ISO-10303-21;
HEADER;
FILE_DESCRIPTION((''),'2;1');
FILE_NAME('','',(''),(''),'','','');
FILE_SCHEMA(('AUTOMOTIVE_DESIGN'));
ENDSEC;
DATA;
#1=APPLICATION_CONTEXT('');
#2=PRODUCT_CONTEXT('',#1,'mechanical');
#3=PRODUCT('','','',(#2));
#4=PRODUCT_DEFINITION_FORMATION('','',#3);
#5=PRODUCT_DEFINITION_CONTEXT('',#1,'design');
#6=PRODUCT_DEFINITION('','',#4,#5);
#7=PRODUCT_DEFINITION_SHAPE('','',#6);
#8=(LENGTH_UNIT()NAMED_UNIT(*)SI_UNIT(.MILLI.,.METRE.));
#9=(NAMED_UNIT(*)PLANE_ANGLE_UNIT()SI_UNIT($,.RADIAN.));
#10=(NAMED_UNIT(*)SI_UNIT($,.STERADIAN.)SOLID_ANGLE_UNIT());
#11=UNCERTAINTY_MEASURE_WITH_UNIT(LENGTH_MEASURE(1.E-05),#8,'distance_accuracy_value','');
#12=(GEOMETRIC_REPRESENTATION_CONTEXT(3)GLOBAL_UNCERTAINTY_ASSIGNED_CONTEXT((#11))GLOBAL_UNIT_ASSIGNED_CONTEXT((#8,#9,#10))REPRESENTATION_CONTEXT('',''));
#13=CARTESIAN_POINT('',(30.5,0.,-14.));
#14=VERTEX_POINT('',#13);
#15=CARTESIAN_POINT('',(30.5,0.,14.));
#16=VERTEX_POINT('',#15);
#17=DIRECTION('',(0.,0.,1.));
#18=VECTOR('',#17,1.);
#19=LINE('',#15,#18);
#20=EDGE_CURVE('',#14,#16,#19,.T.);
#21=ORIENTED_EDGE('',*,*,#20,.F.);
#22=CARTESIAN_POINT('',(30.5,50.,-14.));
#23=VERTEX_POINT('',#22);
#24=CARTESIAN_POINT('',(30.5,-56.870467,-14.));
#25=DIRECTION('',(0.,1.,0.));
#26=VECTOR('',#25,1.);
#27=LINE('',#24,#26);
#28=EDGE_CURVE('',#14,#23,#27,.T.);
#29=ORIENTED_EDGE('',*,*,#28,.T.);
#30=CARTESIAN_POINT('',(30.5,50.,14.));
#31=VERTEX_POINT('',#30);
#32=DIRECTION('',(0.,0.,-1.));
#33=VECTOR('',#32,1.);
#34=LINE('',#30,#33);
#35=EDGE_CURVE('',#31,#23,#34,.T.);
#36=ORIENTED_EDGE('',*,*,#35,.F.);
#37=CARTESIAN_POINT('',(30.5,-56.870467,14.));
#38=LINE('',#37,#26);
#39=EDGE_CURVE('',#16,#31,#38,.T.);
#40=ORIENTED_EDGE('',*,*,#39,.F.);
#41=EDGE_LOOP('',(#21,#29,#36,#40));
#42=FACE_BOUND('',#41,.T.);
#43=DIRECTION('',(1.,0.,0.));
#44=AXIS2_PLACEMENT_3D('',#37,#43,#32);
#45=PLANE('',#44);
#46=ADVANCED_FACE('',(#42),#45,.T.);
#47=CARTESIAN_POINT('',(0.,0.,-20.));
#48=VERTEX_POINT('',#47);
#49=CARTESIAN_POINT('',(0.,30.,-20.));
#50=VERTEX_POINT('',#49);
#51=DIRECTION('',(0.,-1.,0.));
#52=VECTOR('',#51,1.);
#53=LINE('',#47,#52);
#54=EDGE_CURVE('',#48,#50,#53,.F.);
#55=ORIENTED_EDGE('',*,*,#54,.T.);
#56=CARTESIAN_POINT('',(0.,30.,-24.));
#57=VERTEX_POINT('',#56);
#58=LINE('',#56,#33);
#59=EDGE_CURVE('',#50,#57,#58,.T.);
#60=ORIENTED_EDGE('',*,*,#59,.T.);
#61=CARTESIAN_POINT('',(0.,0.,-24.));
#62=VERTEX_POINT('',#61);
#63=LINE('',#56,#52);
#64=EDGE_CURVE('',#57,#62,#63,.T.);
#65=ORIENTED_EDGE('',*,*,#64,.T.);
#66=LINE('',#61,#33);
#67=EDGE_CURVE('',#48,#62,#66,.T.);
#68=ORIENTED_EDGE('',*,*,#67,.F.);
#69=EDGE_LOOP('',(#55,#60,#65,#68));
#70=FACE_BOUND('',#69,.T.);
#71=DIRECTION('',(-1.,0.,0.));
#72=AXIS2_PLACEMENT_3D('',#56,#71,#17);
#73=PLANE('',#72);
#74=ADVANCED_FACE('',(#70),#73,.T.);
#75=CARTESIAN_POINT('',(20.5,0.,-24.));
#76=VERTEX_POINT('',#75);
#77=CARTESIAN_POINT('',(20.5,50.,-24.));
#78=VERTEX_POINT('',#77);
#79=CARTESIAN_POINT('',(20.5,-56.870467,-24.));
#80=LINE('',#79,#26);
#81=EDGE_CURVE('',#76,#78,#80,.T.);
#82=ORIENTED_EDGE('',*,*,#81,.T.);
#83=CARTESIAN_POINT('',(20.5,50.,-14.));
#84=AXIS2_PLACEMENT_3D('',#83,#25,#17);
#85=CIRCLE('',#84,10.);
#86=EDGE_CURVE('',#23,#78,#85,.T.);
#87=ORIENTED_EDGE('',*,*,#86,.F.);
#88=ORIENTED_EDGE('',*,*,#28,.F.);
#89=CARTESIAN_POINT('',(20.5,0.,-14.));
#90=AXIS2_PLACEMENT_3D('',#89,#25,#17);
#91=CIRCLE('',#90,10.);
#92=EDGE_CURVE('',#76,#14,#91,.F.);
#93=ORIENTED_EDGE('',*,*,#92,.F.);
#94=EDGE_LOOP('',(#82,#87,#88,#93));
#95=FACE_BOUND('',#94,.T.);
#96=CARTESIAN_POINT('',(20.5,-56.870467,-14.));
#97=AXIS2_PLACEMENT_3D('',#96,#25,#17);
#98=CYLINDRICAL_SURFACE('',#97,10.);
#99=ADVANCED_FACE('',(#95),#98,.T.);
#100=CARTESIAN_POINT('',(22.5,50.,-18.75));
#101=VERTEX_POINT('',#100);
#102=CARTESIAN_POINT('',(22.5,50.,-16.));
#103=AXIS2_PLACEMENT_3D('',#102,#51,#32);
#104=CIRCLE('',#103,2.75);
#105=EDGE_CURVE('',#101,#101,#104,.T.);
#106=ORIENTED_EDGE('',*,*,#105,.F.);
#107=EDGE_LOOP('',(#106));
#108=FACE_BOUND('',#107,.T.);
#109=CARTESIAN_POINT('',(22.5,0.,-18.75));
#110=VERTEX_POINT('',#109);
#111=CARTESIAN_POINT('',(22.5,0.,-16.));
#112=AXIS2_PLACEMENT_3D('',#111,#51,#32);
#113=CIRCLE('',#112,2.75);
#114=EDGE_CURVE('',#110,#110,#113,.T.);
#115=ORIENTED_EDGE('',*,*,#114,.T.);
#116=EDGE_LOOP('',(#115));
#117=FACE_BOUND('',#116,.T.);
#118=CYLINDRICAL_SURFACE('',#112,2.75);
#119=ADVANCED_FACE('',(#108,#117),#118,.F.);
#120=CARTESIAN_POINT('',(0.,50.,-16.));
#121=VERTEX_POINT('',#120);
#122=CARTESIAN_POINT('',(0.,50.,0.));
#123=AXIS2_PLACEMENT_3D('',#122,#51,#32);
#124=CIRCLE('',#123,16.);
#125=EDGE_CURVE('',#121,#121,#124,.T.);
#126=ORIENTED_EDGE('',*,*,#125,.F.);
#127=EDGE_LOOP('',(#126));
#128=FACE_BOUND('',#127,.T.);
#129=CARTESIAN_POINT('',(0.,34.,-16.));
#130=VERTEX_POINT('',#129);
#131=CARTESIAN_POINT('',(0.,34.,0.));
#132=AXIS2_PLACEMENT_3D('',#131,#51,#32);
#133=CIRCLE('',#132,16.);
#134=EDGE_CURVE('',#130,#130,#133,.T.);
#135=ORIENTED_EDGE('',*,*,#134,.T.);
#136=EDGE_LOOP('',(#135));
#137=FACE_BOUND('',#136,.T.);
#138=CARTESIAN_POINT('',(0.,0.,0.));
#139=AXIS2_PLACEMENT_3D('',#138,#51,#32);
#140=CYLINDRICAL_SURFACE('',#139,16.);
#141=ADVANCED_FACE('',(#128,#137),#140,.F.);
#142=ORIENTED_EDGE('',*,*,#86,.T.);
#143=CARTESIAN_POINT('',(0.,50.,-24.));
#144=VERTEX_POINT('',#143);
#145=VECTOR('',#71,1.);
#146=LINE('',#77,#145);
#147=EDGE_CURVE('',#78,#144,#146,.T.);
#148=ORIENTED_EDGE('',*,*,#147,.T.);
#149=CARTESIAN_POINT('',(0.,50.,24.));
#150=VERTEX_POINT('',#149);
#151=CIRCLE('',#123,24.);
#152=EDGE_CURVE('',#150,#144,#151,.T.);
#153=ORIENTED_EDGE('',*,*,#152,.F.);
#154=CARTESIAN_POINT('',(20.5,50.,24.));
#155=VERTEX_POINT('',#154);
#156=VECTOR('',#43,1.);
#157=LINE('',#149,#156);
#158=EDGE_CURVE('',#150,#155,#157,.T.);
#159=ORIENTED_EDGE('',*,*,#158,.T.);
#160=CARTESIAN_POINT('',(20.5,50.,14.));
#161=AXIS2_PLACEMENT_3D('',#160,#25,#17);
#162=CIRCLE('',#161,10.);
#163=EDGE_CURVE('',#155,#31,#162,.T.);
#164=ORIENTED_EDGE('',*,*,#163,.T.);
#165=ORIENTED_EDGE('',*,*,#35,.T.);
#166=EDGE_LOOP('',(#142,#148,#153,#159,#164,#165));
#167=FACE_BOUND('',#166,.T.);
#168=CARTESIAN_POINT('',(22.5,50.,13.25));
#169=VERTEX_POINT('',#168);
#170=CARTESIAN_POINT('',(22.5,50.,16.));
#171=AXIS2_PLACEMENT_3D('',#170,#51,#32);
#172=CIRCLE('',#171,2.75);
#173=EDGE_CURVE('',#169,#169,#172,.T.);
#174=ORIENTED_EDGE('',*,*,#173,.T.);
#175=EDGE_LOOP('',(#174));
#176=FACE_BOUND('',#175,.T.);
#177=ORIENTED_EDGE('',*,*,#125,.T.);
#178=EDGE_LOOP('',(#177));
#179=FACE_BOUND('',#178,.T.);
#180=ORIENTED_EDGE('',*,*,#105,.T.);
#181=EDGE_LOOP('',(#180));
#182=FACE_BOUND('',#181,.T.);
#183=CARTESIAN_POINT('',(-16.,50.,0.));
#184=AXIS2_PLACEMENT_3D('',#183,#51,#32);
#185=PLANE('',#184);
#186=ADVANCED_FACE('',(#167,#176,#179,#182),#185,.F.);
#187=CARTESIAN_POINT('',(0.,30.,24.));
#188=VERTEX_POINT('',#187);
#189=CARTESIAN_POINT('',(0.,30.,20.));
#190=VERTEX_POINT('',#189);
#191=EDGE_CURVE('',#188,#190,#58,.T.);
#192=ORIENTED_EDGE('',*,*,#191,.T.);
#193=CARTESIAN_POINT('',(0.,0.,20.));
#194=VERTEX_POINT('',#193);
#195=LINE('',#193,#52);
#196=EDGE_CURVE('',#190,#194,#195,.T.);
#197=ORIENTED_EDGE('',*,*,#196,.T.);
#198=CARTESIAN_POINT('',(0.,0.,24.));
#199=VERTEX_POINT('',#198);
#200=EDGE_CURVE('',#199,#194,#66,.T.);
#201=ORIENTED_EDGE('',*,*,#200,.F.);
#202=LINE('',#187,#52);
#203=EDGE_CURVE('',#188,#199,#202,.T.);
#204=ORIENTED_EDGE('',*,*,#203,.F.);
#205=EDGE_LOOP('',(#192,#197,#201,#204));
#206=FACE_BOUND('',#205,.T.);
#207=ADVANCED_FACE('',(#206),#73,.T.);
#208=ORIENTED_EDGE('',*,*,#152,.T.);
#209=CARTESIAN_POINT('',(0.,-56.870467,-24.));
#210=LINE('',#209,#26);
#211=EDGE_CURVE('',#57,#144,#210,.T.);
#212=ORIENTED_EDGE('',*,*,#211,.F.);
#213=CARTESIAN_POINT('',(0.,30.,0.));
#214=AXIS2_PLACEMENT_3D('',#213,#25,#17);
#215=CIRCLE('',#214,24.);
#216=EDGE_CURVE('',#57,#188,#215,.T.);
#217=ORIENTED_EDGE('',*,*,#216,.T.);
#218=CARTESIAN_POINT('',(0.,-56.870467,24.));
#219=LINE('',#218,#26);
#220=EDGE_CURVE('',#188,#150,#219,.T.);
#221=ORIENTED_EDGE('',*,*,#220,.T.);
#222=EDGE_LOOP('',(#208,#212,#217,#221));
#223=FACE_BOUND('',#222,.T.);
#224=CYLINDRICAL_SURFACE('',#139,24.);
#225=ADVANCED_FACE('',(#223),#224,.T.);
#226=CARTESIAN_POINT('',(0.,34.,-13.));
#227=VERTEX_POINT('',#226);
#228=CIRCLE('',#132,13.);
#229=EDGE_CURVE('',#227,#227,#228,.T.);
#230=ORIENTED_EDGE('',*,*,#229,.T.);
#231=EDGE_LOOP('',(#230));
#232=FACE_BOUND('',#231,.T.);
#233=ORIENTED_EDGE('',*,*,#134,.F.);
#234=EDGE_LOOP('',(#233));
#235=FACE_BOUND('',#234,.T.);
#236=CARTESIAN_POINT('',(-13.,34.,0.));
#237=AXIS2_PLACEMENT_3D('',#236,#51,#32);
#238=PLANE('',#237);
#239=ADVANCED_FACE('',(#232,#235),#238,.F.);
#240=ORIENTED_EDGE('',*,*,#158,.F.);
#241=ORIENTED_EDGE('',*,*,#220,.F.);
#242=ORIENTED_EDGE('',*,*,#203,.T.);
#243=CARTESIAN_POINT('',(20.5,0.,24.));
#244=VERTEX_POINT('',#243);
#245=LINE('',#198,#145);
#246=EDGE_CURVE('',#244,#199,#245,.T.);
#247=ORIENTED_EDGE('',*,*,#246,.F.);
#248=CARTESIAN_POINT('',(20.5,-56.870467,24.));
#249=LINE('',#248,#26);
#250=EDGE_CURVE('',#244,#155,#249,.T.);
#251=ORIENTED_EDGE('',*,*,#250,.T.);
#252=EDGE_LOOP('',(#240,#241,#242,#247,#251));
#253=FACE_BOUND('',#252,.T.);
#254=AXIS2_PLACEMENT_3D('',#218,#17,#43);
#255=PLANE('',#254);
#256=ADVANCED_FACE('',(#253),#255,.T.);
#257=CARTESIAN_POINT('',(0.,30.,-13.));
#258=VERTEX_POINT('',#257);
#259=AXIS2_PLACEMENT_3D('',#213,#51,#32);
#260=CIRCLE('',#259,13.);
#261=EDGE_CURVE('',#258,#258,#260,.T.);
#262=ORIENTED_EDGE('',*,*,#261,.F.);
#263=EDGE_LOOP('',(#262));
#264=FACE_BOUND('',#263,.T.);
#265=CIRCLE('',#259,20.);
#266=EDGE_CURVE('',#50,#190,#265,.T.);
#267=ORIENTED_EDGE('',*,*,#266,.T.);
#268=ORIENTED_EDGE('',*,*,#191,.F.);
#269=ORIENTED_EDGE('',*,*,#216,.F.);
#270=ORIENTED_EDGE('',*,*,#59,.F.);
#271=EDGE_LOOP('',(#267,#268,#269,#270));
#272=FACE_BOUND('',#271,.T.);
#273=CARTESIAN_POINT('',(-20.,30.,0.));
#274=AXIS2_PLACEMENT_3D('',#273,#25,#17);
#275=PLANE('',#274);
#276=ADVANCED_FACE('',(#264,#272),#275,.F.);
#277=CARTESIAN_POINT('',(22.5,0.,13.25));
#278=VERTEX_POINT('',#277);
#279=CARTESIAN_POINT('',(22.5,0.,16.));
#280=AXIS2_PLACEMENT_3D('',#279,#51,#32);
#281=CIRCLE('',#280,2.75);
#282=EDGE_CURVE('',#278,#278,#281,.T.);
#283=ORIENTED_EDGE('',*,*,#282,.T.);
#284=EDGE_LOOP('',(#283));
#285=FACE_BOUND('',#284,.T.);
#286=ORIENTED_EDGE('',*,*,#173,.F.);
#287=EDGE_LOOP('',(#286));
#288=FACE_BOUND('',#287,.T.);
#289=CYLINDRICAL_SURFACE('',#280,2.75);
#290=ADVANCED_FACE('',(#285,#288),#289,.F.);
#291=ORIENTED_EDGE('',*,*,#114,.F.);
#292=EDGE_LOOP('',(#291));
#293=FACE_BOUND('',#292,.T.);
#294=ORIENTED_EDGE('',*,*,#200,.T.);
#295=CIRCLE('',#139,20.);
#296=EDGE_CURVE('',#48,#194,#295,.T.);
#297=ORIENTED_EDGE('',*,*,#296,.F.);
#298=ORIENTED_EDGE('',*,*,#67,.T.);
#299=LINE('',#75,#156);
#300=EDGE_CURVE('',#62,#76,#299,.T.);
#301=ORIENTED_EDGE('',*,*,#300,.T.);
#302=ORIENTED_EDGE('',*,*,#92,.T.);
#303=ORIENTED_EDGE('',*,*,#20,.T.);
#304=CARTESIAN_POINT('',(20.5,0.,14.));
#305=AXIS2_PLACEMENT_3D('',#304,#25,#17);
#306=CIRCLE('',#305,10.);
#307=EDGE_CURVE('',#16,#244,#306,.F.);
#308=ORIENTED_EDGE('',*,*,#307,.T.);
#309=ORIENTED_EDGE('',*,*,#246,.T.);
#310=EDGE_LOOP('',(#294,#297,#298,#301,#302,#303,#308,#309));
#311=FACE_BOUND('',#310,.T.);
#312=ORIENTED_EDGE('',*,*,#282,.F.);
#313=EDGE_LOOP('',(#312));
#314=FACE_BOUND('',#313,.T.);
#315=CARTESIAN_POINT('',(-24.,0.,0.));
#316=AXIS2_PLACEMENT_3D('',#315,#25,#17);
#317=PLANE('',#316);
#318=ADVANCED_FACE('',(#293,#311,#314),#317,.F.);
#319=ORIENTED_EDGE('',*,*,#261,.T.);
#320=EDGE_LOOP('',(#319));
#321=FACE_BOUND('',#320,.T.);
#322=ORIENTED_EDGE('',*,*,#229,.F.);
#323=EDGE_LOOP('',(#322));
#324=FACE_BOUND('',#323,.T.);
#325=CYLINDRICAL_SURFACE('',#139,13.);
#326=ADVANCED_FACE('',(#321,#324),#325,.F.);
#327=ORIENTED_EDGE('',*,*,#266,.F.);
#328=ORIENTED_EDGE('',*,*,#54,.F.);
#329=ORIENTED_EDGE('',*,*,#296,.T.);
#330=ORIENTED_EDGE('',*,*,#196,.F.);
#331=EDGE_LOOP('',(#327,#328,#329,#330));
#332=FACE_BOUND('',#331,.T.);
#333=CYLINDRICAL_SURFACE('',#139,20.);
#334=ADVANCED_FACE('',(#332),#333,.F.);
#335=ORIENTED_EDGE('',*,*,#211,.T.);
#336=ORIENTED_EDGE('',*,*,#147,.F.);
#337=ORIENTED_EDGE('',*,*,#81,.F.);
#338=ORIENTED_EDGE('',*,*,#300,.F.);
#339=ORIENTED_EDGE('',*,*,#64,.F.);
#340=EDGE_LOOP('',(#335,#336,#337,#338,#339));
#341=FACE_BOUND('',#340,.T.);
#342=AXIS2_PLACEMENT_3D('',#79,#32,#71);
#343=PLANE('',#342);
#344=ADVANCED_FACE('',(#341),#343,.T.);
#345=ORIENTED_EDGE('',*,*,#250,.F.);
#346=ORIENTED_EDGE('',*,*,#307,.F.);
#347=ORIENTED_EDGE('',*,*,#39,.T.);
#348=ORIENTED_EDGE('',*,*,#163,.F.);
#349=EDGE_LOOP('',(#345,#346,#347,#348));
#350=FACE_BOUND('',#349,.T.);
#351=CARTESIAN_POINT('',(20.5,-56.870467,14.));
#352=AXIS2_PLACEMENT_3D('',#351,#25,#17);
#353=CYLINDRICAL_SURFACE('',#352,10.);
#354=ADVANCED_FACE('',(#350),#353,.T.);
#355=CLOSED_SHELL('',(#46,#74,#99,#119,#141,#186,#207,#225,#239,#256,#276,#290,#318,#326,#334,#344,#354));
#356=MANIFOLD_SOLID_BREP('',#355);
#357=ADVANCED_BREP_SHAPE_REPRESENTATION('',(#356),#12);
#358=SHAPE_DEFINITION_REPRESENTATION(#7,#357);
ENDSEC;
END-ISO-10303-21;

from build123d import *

# Parameters (mm, degrees)
SKETCH5_W            = 38.79143083
SKETCH5_H            = 48
CUT_EXTRUDE1_DEPTH   = 30
BOSS_EXTRUDE1_START  = -50
BOSS_EXTRUDE1_DEPTH  = 50
M5_CLEARANCE_HOLE1_D = 5.5


with BuildPart() as part:
    # Sketch1 → Revolve1 (revolve)
    with BuildSketch(Plane.XY, mode=Mode.PRIVATE) as revolve1_sk:
        Polygon((-24, 0), (-24, 50), (-16, 50), (-16, 34), (-13, 34), (-13, 30), (-16, 30), (-20, 30), (-20, 0), align=None)
    revolve(revolve1_sk.sketch.rotate(Axis((0, 0, 0), (0, 1, 0)), 270), axis=Axis((0, 0, 0), (0, 1, 0)))

    # Sketch5 → Cut-Extrude1 (cut)
    with BuildSketch(Plane(origin=(0, 0, 0), x_dir=(1, 0, 0), z_dir=(0, 1, 0))):
        with Locations((-19.395715415, 0)):
            Rectangle(SKETCH5_W, SKETCH5_H)
    extrude(amount=CUT_EXTRUDE1_DEPTH, mode=Mode.SUBTRACT)

    # Sketch6 → Boss-Extrude1 (add)
    with BuildSketch(Plane(origin=(0, 50, 0), x_dir=(1, 0, 0), z_dir=(0, 1, 0)).offset(BOSS_EXTRUDE1_START)):
        with BuildLine():
            Line((0, -24), (20.5, -24))
            ThreePointArc((20.5, -24), (27.571067812, -21.071067812), (30.5, -14))
            Line((30.5, -14), (30.5, 14))
            ThreePointArc((30.5, 14), (27.571067812, 21.071067812), (20.5, 24))
            Line((20.5, 24), (0, 24))
            ThreePointArc((0, 24), (24, 0), (0, -24))
        make_face()
    extrude(amount=BOSS_EXTRUDE1_DEPTH)

    # M5 Clearance Hole1 (through all)
    with Locations(Plane(origin=(0, 0, 0), x_dir=(-1, 0, 0), z_dir=(0, -1, 0))):
        with Locations((-22.5, -16), (-22.5, 16)):
            Hole(M5_CLEARANCE_HOLE1_D / 2)


solid = part.part
